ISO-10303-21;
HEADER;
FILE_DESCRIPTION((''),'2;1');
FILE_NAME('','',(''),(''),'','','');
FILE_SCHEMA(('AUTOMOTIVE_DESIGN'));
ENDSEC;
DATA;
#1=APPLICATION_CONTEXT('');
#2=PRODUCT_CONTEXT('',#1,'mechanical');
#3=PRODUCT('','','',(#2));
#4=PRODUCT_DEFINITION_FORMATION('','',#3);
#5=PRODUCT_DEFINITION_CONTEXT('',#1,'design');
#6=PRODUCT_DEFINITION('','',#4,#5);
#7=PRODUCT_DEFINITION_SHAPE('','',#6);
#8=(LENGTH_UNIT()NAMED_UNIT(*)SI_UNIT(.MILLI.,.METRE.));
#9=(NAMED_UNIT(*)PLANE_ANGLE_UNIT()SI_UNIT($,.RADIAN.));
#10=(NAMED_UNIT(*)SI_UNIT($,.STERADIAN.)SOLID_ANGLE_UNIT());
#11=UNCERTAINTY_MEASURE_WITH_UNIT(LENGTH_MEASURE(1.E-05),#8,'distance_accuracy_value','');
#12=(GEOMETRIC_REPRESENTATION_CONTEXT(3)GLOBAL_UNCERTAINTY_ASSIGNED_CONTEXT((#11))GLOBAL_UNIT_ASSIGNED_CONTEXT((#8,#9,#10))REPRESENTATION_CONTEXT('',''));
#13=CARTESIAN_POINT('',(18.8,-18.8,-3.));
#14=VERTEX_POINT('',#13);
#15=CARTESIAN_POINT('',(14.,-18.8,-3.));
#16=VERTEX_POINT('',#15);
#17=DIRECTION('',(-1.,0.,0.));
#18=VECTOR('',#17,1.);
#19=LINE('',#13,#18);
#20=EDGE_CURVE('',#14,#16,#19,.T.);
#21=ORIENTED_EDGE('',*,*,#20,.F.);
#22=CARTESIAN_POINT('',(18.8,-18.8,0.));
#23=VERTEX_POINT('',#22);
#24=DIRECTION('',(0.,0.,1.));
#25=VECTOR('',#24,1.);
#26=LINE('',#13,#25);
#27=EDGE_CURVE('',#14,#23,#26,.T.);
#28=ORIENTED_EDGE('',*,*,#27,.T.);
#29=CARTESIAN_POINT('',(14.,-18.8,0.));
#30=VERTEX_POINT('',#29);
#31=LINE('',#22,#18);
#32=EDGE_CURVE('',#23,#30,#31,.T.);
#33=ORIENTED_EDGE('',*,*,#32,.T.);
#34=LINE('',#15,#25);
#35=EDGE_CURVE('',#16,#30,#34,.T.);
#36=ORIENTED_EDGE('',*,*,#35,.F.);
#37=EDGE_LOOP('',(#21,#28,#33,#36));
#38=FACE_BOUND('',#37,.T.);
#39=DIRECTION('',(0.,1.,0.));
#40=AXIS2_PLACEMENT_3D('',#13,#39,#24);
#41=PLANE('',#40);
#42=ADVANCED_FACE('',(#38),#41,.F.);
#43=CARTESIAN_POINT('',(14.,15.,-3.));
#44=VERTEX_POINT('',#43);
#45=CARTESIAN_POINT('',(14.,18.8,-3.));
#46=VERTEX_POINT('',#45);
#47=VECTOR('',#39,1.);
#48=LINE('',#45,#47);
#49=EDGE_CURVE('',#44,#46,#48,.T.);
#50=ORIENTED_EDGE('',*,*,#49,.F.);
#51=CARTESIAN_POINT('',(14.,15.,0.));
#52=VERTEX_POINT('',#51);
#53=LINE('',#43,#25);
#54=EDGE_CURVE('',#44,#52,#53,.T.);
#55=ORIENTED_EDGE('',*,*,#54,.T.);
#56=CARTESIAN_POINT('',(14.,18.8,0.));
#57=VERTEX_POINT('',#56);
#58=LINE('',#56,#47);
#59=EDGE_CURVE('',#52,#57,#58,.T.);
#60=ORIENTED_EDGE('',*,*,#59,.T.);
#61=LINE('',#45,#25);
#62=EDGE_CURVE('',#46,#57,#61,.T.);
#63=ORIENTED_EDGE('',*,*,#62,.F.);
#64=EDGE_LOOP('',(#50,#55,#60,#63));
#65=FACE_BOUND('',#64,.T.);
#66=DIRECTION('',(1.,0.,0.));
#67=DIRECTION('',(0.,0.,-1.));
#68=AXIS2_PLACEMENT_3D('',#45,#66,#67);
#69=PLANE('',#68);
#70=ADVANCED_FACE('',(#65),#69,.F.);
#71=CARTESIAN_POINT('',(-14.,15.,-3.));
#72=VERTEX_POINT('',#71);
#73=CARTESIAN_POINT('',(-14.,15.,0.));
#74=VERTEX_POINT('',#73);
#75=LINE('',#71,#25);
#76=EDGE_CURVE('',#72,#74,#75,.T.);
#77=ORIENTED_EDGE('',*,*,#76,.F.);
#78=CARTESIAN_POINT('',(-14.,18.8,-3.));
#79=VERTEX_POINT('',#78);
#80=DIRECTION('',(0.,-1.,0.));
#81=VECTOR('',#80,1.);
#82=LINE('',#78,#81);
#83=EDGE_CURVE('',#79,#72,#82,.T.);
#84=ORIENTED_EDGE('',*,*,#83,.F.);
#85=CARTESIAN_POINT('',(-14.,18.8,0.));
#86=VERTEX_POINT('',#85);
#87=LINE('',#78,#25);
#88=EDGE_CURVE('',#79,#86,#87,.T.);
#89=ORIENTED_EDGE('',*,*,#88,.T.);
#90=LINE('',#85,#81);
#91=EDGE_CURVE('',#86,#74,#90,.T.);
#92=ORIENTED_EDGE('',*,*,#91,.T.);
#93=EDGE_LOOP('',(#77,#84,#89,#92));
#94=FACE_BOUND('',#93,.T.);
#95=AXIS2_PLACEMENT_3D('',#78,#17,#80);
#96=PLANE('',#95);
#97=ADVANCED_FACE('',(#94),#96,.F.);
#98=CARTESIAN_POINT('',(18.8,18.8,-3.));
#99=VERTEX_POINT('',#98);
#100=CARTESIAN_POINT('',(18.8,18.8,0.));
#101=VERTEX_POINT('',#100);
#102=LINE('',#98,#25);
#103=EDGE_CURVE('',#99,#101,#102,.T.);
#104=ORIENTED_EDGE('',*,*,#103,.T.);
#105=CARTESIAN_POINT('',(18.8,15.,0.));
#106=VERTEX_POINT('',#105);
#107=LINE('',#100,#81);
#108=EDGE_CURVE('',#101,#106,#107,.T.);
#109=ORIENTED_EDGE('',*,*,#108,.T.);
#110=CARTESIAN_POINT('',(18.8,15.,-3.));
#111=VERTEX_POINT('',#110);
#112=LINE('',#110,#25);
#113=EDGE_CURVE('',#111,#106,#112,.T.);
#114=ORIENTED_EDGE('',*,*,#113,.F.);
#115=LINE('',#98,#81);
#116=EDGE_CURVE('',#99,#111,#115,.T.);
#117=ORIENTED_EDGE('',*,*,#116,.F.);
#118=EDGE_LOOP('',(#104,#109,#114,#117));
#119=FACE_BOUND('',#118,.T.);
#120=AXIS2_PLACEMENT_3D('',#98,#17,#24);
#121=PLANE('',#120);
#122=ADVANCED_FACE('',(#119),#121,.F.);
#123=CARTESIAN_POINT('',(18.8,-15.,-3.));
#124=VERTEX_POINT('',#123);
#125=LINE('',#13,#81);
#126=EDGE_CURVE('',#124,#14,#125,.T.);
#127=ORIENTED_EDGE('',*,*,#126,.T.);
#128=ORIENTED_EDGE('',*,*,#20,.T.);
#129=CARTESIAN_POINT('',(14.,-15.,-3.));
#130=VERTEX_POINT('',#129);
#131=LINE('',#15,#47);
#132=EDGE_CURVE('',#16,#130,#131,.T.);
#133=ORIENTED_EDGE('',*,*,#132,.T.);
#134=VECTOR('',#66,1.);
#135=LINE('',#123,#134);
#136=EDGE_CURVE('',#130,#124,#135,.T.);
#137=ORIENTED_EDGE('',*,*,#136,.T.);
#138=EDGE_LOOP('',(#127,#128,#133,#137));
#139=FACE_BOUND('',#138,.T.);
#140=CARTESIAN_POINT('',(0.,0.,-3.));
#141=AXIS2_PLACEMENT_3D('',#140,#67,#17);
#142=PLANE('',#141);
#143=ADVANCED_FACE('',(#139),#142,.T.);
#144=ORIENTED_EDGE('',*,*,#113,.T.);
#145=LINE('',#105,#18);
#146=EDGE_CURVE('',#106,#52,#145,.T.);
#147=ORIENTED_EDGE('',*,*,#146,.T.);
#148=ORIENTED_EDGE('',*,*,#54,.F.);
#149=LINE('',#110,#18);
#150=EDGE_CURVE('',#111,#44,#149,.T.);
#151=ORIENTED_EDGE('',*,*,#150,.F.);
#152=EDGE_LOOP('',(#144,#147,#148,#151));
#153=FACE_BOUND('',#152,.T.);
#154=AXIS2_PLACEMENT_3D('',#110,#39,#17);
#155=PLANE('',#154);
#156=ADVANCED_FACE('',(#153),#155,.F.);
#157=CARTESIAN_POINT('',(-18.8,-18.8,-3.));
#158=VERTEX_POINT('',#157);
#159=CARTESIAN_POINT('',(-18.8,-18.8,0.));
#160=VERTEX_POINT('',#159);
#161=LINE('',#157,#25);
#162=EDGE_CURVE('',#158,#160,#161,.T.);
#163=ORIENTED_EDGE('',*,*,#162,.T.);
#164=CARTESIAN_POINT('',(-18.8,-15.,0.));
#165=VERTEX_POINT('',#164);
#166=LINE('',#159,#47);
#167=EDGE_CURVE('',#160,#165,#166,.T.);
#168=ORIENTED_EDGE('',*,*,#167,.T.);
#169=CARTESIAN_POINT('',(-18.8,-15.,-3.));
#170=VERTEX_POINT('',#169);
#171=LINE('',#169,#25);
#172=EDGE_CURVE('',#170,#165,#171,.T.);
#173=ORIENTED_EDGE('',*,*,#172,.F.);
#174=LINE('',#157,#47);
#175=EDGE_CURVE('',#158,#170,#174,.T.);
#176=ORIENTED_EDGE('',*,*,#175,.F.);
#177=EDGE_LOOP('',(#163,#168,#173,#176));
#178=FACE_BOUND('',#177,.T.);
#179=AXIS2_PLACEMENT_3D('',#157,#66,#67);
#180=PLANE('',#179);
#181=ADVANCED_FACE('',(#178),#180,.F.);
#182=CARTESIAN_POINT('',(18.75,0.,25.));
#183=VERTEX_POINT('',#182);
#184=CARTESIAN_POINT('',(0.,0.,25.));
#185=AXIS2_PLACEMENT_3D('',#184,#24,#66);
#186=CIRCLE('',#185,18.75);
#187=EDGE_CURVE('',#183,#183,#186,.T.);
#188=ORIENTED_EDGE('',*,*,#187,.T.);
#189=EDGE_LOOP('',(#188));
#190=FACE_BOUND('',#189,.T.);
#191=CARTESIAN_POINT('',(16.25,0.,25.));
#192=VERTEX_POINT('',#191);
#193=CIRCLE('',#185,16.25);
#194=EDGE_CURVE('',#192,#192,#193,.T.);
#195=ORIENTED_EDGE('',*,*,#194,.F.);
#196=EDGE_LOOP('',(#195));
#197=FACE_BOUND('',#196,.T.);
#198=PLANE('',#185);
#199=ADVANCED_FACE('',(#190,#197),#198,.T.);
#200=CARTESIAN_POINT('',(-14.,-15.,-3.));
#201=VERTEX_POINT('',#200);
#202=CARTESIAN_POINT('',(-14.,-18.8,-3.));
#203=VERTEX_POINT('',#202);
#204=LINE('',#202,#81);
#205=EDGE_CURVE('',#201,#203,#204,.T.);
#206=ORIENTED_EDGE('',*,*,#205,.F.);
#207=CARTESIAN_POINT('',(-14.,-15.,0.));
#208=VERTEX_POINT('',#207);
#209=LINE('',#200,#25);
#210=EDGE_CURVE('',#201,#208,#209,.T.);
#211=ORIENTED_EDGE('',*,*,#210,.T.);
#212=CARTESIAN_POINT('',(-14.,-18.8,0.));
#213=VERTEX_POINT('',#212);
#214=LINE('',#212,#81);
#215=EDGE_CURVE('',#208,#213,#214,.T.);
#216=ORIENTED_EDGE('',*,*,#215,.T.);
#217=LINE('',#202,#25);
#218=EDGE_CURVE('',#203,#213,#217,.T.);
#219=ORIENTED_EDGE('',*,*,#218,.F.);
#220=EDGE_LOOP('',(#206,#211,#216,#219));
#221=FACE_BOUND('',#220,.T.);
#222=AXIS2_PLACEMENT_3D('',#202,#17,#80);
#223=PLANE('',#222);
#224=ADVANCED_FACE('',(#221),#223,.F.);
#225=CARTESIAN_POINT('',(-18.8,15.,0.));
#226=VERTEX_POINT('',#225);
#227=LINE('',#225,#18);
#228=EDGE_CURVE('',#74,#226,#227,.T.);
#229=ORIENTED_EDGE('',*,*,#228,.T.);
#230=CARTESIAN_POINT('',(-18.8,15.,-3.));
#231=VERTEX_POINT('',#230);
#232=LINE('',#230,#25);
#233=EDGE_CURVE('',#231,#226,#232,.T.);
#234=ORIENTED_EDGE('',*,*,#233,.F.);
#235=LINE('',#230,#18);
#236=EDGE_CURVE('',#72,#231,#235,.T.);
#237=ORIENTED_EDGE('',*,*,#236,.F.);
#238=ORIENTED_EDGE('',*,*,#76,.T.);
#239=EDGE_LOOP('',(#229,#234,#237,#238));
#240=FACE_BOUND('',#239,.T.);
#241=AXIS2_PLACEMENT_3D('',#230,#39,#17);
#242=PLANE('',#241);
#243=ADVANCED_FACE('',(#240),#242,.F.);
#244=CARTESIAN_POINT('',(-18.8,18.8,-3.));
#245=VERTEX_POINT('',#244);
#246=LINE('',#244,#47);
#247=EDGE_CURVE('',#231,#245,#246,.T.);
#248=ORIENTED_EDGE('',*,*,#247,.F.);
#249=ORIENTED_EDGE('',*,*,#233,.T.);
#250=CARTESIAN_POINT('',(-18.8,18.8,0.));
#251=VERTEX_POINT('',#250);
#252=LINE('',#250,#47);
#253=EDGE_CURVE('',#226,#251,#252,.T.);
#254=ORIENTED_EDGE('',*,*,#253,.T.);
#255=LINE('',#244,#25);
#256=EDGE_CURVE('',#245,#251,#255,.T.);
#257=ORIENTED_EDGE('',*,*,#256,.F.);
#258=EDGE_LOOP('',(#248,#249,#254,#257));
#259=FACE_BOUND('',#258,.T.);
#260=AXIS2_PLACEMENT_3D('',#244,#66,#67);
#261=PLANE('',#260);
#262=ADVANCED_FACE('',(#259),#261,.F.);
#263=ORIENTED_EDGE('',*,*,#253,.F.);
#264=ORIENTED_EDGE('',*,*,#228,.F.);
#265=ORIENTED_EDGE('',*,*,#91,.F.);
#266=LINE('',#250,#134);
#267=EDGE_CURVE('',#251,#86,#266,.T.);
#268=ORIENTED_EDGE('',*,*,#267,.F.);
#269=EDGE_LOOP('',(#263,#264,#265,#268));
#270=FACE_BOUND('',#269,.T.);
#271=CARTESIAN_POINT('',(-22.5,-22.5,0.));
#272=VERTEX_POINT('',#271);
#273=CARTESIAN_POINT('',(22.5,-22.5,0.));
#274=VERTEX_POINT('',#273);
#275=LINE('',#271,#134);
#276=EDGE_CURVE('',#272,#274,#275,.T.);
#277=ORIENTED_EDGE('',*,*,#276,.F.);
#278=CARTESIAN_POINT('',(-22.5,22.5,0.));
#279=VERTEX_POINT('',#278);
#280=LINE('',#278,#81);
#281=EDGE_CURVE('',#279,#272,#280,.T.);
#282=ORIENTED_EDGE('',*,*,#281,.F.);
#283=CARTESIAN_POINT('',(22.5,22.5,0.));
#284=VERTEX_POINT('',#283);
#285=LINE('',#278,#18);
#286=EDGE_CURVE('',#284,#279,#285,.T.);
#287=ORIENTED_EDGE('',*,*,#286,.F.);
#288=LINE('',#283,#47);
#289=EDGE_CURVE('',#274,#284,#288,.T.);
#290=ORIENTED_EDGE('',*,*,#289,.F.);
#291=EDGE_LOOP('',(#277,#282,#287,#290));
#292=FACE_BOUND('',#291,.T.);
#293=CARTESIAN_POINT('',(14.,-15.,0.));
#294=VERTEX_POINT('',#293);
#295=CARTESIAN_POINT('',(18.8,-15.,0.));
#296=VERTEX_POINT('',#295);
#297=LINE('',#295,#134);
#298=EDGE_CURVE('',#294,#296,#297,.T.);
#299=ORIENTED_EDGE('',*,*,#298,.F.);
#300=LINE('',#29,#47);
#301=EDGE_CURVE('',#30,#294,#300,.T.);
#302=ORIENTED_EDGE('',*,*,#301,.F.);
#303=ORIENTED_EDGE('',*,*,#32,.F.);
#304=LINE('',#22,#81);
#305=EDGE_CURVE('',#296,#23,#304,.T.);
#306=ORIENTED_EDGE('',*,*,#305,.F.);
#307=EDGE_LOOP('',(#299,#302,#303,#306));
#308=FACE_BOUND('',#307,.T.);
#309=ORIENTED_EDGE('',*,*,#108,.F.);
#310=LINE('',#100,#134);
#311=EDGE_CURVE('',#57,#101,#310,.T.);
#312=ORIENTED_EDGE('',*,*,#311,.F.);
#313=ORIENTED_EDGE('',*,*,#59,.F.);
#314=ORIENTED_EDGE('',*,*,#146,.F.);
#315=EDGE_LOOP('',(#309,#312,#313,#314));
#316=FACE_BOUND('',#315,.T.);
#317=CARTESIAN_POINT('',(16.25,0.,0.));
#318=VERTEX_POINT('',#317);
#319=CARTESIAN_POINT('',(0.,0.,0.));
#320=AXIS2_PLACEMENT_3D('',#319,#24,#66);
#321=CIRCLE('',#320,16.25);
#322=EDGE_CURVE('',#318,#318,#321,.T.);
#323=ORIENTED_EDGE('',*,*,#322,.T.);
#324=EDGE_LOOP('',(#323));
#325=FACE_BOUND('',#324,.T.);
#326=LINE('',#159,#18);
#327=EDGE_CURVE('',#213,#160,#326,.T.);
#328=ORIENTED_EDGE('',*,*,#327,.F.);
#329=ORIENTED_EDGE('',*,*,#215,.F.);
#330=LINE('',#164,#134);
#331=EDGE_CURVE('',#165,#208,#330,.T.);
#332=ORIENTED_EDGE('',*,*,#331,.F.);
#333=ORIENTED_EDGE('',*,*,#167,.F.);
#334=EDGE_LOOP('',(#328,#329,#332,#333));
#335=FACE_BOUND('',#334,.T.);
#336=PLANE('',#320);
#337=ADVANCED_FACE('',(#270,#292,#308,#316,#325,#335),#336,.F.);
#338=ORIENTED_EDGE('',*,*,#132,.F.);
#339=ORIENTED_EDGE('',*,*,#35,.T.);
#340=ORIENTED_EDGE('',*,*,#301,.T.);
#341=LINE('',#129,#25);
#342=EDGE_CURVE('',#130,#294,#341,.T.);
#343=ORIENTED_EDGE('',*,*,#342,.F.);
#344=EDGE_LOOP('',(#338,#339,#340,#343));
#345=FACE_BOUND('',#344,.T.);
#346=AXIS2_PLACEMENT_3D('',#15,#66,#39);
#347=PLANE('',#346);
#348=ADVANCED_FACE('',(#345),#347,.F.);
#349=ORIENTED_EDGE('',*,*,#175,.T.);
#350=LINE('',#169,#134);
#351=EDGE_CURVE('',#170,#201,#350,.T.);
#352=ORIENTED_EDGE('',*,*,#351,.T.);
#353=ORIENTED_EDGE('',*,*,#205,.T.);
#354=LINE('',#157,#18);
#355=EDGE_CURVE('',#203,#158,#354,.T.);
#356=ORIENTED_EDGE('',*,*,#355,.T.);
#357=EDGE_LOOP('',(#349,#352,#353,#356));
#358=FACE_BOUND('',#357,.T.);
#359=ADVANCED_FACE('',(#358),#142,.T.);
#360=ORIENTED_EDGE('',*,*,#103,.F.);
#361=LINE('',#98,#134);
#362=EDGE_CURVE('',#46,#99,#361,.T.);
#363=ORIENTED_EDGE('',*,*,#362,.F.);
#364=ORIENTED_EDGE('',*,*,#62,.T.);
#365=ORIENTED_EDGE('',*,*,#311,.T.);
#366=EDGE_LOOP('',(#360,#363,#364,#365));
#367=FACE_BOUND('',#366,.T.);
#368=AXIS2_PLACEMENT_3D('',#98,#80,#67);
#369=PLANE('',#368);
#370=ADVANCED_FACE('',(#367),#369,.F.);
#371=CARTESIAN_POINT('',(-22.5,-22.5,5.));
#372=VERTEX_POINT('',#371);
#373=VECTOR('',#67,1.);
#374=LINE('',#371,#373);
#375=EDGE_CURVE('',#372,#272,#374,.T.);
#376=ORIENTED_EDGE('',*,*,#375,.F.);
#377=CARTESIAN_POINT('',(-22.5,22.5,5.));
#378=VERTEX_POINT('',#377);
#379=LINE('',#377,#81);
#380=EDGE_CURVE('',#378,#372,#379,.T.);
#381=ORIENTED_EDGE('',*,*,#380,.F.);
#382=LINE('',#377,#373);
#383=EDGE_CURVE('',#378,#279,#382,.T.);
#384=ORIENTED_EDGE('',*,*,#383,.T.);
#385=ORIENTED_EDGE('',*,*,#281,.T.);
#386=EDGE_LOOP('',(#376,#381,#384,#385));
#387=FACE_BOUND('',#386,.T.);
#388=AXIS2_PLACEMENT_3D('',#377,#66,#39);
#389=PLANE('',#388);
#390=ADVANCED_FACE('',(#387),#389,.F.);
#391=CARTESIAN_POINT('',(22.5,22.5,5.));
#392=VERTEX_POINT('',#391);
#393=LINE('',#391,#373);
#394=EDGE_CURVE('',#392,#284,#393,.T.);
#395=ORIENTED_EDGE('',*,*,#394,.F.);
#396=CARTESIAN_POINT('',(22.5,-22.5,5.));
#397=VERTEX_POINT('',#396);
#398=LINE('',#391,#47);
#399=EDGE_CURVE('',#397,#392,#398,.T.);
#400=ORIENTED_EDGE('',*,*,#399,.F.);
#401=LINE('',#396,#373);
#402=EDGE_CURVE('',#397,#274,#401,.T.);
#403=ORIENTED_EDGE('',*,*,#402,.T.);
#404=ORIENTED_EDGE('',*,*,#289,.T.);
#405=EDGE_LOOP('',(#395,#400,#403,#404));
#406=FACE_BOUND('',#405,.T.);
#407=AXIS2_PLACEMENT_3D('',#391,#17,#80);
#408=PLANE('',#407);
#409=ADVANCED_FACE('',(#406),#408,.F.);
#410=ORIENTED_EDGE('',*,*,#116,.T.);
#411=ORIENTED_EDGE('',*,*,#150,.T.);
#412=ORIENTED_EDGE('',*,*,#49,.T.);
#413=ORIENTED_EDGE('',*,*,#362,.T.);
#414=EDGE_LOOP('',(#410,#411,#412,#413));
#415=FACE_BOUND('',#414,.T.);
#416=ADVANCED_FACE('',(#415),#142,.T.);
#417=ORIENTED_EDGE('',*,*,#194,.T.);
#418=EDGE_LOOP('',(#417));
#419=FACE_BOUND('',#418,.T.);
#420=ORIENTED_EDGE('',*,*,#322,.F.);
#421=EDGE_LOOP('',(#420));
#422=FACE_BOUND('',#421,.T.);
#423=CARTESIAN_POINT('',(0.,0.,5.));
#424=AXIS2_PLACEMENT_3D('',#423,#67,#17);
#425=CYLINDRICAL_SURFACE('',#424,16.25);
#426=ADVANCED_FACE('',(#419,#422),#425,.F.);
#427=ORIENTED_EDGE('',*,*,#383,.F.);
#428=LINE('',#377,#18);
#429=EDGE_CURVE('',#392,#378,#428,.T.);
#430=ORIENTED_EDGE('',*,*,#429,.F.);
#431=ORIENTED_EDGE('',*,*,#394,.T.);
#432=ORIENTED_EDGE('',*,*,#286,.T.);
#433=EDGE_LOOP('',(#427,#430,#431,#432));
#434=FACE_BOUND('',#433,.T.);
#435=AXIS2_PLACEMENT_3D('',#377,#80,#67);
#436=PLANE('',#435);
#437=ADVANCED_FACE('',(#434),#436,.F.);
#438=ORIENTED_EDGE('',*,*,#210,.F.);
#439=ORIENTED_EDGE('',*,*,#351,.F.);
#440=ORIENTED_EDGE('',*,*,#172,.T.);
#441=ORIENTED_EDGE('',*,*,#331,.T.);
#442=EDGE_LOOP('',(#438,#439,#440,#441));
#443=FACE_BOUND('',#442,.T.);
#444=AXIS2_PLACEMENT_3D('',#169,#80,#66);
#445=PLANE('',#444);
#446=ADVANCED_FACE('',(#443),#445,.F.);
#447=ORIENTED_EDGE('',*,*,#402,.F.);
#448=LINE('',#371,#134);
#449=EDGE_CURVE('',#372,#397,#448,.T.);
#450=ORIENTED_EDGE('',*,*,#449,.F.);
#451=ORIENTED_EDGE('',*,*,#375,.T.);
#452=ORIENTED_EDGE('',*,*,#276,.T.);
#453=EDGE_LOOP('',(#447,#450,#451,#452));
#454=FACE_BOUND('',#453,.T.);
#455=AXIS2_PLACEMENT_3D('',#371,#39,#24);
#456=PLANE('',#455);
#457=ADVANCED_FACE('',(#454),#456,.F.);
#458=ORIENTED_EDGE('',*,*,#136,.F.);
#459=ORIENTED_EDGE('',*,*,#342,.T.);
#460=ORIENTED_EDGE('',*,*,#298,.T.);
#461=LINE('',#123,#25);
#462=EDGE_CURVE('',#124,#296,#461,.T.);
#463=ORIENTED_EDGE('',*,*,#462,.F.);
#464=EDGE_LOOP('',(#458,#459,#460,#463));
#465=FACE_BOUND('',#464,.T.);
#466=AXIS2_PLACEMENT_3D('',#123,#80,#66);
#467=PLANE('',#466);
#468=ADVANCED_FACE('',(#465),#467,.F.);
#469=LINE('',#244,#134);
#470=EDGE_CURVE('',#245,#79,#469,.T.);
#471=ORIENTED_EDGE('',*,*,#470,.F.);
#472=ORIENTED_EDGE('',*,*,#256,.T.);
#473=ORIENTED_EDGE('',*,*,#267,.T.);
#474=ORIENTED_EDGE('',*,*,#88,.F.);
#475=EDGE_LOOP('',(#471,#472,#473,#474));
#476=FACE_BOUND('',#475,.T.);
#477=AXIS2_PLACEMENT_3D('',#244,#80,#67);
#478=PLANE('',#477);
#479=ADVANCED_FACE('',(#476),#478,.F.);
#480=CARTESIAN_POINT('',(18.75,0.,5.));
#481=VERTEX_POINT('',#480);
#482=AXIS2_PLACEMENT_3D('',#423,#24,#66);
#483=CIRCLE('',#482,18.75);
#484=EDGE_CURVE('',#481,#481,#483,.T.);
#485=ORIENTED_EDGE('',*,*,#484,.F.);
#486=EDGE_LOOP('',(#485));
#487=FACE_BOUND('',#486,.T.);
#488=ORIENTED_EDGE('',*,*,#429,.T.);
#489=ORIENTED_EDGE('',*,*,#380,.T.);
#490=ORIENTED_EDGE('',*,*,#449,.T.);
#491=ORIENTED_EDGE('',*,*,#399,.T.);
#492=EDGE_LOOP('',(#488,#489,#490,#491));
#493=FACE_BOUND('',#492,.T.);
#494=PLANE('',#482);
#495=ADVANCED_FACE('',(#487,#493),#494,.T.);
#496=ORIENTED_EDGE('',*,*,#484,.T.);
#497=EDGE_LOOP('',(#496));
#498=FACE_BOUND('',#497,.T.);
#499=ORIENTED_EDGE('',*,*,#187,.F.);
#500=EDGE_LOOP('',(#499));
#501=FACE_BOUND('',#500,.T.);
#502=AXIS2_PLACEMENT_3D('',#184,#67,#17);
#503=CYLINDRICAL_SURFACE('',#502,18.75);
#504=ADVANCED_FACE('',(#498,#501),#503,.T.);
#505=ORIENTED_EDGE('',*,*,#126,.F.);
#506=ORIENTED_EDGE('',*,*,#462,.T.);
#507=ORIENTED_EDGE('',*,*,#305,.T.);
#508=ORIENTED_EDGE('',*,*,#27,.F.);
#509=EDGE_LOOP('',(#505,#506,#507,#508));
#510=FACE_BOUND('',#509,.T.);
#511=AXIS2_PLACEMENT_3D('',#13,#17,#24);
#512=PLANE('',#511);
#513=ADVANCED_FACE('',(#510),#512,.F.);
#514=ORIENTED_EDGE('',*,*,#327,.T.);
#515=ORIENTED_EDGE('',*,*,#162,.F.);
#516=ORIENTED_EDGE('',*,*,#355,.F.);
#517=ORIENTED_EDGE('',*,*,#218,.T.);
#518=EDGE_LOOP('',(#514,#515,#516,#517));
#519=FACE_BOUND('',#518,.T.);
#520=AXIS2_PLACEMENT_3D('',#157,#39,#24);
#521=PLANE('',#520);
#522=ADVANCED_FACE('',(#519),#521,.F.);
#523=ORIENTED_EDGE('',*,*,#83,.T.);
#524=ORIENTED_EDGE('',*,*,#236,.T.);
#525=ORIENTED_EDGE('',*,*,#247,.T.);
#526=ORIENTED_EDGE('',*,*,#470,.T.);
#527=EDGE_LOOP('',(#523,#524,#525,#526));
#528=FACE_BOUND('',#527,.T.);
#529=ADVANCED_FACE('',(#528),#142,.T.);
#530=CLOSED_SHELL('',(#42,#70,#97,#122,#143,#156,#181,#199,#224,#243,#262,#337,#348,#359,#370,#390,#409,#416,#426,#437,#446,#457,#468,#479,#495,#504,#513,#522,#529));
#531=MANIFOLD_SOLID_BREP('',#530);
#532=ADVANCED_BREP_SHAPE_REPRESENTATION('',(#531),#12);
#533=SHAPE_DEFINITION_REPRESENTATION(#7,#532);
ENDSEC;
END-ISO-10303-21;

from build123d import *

# Parameters (mm, degrees)
ESQUISSE1_W        = 45
ESQUISSE1_H        = 45
ESQUISSE1_R        = 16.25
BOSS_EXTRU_1_DEPTH = 5
ESQUISSE2_R        = 18.75
ESQUISSE2_R_2      = 16.25
BOSS_EXTRU_2_DEPTH = 20
ESQUISSE3_W        = 4.8
ESQUISSE3_H        = 3.8
BOSS_EXTRU_3_DEPTH = 3


with BuildPart() as part:
    # Esquisse1 → Boss.-Extru.1 (new body)
    with BuildSketch(Plane.XY):
        Rectangle(ESQUISSE1_W, ESQUISSE1_H)
        Circle(ESQUISSE1_R, mode=Mode.SUBTRACT)
    extrude(amount=BOSS_EXTRU_1_DEPTH)

    # Esquisse2 → Boss.-Extru.2 (add)
    with BuildSketch(Plane.XY.offset(5)):
        Circle(ESQUISSE2_R)
        Circle(ESQUISSE2_R_2, mode=Mode.SUBTRACT)
    extrude(amount=BOSS_EXTRU_2_DEPTH)

    # Esquisse3 → Boss.-Extru.3 (add)
    with BuildSketch(Plane(origin=(0, 0, 0), x_dir=(-1, 0, 0), z_dir=(0, 0, -1))):
        with Locations((16.4, 16.9)):
            Rectangle(ESQUISSE3_W, ESQUISSE3_H)
        with Locations((-16.4, 16.9)):
            Rectangle(ESQUISSE3_W, ESQUISSE3_H)
        with Locations((-16.4, -16.9)):
            Rectangle(ESQUISSE3_W, ESQUISSE3_H)
        with Locations((16.4, -16.9)):
            Rectangle(ESQUISSE3_W, ESQUISSE3_H)
    extrude(amount=BOSS_EXTRU_3_DEPTH)


solid = part.part
